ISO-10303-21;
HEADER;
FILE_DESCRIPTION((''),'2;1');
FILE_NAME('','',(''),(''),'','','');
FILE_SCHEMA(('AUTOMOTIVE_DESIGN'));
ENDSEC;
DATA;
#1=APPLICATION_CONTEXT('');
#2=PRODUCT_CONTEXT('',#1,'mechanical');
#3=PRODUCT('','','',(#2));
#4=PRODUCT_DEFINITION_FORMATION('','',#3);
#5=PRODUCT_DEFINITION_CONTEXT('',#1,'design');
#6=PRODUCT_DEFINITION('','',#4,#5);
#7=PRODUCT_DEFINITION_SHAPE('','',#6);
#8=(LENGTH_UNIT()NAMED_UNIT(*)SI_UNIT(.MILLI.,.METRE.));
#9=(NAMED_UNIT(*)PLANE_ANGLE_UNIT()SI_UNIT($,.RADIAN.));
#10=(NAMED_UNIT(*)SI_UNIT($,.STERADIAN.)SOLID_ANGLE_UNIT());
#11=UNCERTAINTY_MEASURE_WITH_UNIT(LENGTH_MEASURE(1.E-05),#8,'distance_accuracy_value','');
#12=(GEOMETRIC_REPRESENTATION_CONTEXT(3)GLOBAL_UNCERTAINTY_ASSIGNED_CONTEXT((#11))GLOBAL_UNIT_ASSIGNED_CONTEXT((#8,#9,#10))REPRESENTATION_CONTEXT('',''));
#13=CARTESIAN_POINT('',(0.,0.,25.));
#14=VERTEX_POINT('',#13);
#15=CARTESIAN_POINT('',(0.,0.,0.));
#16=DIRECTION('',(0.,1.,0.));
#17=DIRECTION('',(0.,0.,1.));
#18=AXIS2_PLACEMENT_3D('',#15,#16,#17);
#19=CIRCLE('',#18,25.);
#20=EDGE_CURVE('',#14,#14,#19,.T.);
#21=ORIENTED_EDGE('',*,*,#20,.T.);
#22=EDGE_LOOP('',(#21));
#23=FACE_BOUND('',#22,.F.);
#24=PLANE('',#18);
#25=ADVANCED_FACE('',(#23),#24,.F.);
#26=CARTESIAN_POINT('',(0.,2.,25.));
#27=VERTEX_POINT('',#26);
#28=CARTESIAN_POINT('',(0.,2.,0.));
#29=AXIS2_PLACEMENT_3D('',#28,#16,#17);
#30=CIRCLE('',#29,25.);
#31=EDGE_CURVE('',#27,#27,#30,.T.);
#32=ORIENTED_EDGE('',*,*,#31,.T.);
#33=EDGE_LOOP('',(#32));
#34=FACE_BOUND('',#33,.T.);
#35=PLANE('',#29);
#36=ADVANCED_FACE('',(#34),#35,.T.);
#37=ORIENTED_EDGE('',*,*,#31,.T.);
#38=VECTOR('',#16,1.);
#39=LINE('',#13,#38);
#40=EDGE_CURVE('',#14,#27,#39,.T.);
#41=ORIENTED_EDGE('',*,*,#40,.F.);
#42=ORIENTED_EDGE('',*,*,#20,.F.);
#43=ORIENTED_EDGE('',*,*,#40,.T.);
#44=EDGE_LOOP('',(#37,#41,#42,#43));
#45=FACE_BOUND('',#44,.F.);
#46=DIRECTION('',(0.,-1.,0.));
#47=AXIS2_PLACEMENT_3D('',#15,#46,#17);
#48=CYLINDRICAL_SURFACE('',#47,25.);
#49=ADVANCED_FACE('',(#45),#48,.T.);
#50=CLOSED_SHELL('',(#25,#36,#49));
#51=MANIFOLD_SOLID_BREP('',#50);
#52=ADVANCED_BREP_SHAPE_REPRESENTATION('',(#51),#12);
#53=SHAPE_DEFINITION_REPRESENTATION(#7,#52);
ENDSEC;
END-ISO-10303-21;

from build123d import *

# Parameters (mm, degrees)
SKETCH_1_R      = 25
EXTRUDE_1_DEPTH = 2


with BuildPart() as part:
    # 草图1 → 凸台-拉伸1 (new body)
    with BuildSketch(Plane(origin=(0, 0, 0), x_dir=(1, 0, 0), z_dir=(0, 1, 0))):
        with Locations(Location((0, 0, 0), (0, 0, 270))):  # turned: the seam where the file's is
            Circle(SKETCH_1_R)
    extrude(amount=EXTRUDE_1_DEPTH)


solid = part.part
